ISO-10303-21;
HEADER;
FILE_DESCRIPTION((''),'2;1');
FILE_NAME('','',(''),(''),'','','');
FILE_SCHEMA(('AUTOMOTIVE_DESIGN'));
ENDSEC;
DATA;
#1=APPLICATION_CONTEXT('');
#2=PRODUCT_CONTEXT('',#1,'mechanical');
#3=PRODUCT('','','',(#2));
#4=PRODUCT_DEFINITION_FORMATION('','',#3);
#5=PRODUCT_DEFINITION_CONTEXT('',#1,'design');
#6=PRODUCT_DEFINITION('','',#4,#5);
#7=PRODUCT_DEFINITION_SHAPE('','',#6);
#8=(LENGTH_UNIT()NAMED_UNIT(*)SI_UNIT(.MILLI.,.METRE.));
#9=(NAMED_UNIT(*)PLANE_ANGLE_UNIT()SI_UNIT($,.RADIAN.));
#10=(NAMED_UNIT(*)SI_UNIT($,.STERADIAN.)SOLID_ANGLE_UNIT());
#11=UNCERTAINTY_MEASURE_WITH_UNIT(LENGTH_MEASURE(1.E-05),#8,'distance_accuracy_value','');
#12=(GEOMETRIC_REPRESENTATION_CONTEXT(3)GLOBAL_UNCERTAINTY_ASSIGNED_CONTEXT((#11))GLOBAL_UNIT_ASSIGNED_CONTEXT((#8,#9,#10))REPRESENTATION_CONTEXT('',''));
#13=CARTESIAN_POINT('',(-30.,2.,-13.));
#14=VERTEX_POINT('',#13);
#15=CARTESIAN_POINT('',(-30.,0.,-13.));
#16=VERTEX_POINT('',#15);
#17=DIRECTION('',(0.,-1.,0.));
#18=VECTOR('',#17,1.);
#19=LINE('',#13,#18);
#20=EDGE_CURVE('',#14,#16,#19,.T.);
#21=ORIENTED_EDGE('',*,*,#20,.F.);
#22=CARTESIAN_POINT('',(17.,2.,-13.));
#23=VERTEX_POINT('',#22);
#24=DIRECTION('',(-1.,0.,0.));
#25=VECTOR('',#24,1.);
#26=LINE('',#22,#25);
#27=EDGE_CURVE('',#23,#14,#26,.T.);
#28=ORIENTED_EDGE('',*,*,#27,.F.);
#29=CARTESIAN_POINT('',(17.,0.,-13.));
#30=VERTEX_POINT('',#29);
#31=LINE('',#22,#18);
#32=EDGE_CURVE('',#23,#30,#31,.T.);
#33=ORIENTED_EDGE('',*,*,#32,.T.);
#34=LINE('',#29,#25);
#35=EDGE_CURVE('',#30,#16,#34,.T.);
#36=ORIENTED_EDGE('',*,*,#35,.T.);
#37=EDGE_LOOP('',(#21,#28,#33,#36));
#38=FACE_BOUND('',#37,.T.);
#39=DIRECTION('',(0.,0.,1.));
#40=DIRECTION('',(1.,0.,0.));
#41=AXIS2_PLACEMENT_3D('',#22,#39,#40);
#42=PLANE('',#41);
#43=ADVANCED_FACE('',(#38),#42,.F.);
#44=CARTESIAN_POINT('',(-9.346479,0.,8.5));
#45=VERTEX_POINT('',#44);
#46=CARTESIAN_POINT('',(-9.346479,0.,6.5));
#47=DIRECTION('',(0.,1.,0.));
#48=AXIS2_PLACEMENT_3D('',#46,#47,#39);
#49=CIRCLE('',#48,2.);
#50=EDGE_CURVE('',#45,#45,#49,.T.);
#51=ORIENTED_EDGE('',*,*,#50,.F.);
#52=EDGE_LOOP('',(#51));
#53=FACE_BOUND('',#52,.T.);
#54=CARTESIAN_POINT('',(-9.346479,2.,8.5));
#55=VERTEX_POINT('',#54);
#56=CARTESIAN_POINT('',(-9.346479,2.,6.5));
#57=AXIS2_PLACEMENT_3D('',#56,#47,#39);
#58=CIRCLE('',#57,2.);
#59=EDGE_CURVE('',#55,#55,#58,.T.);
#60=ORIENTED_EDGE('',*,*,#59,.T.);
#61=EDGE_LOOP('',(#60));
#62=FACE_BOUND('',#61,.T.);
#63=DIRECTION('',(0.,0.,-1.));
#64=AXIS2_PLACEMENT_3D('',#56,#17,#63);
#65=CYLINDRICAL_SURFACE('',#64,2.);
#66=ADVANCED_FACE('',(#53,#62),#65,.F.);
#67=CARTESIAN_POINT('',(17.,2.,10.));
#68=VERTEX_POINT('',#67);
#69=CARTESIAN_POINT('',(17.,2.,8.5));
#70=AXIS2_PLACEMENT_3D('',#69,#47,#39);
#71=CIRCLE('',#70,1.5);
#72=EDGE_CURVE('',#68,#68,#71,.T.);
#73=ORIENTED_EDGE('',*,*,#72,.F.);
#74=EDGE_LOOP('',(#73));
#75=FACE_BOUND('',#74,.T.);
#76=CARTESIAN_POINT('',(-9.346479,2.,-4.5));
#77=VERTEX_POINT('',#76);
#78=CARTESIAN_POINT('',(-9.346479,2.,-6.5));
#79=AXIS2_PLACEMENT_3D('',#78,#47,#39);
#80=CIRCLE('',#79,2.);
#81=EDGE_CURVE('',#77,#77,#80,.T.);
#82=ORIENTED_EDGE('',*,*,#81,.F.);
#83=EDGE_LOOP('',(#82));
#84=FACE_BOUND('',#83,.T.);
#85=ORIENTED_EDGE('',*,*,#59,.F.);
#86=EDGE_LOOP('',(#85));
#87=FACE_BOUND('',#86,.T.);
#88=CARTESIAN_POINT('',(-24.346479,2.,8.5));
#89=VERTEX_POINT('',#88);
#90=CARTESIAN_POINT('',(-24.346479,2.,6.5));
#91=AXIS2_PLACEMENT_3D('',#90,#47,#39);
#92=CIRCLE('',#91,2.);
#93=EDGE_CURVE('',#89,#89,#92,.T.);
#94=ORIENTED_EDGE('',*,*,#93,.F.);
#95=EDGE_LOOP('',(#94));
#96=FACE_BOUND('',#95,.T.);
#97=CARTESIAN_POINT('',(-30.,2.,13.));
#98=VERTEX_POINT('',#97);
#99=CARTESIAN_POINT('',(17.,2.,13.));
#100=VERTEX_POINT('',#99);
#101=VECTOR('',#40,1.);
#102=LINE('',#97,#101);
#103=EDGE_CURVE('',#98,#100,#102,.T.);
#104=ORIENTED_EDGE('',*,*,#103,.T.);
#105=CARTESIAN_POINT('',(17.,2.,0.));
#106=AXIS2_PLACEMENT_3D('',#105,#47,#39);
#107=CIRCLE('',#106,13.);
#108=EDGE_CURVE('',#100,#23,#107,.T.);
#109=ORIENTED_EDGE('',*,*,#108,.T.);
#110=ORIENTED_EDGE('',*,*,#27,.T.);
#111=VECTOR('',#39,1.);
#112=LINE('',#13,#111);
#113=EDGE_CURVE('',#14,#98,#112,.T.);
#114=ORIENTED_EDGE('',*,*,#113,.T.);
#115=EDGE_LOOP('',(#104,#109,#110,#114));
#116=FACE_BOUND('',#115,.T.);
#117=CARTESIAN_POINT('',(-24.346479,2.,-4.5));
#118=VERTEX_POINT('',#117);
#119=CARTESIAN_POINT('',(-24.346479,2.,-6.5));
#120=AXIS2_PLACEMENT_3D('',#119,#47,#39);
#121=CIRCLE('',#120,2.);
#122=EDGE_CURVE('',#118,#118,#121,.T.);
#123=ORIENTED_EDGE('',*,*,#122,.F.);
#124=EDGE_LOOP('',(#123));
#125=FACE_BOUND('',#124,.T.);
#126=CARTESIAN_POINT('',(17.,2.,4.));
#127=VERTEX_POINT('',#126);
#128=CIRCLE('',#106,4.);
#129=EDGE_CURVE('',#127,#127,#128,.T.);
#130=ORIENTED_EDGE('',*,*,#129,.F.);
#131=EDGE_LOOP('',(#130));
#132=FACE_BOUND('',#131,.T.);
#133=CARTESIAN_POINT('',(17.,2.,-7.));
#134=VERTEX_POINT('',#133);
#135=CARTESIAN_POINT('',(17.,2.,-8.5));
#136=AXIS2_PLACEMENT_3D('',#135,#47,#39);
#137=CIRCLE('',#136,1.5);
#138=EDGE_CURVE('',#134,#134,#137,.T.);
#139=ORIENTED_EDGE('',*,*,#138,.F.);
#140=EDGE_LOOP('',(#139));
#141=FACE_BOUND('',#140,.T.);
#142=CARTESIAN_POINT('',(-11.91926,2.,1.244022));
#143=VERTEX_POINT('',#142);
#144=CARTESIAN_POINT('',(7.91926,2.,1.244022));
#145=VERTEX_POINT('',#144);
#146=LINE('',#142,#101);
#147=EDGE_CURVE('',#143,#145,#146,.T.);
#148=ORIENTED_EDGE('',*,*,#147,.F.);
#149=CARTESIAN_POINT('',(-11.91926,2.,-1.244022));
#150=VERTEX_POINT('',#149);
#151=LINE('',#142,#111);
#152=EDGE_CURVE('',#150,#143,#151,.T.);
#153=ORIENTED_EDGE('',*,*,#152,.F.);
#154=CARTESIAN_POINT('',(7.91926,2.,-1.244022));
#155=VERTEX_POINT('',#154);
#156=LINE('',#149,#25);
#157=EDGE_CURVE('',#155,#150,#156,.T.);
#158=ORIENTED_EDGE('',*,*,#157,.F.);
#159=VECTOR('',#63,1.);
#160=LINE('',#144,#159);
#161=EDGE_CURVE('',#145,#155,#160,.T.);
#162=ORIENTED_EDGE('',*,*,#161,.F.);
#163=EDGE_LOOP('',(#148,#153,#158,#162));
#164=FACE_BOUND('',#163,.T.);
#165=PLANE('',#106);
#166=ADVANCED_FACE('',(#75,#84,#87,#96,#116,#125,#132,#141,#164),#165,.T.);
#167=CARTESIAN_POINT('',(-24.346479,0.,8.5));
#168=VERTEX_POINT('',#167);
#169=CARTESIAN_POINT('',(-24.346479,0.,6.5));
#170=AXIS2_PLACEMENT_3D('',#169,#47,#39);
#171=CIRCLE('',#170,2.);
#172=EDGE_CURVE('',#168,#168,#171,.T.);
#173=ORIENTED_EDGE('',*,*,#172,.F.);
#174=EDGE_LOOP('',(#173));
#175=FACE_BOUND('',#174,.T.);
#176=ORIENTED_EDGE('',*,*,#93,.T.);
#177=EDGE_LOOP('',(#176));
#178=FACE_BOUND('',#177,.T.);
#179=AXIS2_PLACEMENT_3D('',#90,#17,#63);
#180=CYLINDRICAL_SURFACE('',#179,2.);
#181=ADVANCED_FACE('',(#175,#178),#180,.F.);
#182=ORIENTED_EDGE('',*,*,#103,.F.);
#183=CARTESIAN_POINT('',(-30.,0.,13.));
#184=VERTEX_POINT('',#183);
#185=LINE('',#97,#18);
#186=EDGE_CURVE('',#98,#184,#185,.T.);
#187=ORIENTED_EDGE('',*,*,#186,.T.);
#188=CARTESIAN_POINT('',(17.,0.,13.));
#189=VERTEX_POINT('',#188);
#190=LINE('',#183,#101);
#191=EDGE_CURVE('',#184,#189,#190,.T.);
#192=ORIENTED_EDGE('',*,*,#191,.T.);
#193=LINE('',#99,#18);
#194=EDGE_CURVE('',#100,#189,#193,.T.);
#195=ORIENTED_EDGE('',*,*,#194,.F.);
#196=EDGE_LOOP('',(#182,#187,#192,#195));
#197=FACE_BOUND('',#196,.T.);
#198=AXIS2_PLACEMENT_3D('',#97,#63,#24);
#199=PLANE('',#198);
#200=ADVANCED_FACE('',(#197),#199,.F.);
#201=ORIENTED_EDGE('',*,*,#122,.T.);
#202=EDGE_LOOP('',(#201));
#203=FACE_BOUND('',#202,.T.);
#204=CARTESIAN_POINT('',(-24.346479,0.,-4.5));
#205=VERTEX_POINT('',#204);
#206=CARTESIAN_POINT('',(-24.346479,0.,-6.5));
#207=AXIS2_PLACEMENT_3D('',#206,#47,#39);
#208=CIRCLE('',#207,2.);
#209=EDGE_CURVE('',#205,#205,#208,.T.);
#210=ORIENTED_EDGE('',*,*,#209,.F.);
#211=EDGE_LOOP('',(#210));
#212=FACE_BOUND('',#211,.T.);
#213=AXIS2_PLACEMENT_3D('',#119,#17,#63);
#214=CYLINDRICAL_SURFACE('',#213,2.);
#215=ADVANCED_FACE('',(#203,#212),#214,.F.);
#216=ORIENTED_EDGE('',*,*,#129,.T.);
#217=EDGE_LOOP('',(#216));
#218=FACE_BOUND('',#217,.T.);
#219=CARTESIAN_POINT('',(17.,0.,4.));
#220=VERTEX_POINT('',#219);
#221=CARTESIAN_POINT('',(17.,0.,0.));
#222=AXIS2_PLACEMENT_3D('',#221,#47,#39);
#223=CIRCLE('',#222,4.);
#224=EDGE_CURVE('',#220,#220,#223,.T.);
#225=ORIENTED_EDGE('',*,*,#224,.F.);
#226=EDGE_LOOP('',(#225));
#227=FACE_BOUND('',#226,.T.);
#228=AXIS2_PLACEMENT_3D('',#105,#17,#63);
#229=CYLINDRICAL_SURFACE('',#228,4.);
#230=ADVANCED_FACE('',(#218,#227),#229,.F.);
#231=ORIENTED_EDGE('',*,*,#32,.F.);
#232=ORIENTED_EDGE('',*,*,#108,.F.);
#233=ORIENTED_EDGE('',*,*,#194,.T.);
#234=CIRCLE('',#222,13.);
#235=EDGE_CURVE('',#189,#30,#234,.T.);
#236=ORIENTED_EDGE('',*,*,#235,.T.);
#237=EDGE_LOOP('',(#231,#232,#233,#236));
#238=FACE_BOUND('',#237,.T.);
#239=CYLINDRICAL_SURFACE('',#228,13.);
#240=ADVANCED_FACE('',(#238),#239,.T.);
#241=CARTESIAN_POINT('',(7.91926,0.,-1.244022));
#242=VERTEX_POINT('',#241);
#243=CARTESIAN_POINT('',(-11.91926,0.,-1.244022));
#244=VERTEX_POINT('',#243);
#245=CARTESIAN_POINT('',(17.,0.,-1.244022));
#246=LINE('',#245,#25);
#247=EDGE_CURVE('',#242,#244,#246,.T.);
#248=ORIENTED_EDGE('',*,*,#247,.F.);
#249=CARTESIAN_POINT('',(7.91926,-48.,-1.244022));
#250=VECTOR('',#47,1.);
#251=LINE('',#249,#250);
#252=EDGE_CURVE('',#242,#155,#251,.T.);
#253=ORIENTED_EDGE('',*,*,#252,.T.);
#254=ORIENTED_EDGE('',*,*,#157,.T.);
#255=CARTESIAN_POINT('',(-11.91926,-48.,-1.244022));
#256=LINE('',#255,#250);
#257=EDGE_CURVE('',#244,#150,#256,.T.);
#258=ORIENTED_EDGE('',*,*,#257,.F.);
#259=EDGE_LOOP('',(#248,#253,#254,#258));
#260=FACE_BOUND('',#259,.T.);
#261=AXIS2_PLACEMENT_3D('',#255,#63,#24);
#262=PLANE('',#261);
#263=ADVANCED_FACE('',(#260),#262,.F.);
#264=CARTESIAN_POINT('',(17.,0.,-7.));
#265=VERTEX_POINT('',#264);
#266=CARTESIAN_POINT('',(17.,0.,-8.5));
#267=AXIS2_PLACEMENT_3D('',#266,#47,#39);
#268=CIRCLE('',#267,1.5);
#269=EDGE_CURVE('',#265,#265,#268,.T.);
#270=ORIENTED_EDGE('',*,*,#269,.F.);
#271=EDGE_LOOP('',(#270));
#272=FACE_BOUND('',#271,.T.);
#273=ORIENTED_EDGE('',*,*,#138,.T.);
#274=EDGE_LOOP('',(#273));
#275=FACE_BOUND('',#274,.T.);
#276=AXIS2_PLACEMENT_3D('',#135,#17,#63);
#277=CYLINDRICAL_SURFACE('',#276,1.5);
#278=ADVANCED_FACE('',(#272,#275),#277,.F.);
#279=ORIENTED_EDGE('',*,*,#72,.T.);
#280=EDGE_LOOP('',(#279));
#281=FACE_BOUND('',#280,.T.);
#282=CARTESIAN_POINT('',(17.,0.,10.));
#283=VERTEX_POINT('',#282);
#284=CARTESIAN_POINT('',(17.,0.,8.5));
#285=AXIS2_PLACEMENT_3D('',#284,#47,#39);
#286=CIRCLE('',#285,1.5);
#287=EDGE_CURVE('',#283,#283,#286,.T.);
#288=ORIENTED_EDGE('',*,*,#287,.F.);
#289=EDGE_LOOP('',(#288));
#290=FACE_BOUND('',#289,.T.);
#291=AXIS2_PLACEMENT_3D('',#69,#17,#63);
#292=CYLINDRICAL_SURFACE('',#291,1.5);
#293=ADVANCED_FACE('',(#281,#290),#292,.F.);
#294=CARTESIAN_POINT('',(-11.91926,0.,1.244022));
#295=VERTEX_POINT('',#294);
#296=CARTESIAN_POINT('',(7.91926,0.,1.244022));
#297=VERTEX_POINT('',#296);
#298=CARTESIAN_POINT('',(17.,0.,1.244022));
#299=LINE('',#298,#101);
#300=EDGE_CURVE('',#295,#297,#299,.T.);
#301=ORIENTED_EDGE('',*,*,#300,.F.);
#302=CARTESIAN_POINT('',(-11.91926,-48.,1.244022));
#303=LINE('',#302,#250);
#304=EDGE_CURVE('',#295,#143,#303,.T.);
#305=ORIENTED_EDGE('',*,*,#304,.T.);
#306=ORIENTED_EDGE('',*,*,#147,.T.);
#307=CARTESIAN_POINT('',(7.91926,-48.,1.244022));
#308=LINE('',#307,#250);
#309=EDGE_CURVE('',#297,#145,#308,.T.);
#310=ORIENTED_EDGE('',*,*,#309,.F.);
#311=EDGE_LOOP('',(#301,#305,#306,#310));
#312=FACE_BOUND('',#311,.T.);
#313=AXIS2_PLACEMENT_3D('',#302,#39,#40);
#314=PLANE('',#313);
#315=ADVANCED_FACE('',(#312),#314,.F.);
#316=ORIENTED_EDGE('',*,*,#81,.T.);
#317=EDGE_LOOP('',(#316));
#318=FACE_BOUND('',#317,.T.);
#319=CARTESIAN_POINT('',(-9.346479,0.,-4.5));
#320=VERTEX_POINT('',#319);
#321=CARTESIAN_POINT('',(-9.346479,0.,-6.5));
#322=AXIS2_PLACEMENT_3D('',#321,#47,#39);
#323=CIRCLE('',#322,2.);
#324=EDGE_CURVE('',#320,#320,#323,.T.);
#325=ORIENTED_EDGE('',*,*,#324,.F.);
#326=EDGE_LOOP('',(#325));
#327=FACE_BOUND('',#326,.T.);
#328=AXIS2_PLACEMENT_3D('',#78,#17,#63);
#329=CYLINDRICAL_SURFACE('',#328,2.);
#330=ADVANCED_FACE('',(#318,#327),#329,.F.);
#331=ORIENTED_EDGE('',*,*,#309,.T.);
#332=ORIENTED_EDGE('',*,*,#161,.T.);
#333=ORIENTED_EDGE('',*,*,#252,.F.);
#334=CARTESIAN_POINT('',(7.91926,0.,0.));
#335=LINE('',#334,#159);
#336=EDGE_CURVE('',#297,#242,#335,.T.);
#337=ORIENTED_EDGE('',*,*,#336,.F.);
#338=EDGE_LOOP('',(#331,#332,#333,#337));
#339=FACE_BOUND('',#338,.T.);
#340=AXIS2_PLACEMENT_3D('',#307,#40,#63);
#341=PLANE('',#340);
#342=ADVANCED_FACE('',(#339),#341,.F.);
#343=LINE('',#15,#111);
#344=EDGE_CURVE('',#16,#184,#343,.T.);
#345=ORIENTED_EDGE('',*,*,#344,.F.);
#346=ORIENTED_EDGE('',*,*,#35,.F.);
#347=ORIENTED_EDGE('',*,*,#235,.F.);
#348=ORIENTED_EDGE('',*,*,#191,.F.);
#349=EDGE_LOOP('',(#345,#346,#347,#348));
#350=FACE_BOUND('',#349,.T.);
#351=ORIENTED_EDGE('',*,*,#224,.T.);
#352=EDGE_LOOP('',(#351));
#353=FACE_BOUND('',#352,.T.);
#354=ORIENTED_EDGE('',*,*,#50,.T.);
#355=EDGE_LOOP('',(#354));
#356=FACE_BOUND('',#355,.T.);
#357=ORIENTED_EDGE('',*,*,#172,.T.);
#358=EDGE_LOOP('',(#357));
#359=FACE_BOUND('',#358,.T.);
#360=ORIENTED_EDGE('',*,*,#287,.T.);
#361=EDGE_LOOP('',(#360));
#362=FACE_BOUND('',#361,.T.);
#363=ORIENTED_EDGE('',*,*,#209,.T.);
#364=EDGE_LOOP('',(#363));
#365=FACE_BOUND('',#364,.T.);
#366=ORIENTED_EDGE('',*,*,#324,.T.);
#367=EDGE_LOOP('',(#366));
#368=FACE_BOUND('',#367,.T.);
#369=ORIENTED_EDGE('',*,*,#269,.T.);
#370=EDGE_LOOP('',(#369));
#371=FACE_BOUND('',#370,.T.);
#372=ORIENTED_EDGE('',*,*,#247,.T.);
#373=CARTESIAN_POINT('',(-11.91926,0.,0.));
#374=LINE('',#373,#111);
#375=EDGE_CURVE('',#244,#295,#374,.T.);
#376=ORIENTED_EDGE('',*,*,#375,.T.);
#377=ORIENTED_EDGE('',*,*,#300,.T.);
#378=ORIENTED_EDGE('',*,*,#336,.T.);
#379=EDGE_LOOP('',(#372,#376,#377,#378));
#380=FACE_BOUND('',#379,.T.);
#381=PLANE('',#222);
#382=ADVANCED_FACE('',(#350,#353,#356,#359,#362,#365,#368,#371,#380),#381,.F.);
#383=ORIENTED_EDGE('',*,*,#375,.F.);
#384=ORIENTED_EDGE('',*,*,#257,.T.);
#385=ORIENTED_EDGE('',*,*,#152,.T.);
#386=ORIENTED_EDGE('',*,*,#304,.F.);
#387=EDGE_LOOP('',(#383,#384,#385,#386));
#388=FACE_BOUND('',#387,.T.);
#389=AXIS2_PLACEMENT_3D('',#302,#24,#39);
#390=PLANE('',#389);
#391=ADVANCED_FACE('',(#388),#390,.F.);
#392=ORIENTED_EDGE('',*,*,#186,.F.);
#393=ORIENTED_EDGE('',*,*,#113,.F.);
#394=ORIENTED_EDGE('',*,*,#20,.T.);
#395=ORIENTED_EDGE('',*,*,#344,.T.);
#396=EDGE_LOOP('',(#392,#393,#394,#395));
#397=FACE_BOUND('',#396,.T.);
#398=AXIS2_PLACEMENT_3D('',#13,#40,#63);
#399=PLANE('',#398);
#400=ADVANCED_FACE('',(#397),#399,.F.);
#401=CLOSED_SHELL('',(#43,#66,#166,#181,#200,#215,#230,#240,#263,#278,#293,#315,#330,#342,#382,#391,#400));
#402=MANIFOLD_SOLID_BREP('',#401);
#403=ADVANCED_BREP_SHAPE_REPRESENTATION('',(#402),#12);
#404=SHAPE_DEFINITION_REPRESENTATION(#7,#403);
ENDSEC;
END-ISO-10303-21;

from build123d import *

# Parameters (mm, degrees)
SKETCH3_R           = 2
SKETCH3_R_2         = 1.5
SKETCH3_R_3         = 4
BOSS_EXTRUDE1_DEPTH = 2
SKETCH6_W           = 19.838520206
SKETCH6_H           = 2.488043404
CUT_EXTRUDE1_DEPTH  = 50


with BuildPart() as part:
    # Sketch3 → Boss-Extrude1 (new body)
    with BuildSketch(Plane(origin=(0, 0, 0), x_dir=(1, 0, 0), z_dir=(0, 1, 0))):
        with BuildLine():
            Line((17, 13), (-30, 13))
            Line((-30, 13), (-30, -13))
            Line((-30, -13), (17, -13))
            ThreePointArc((17, -13), (30, 0), (17, 13))
        make_face()
        with Locations(Location((-24.346479472, -6.5, 0), (0, 0, 270))):
            Circle(SKETCH3_R, mode=Mode.SUBTRACT)
        with Locations(Location((-9.346479472, -6.5, 0), (0, 0, 270))):
            Circle(SKETCH3_R, mode=Mode.SUBTRACT)
        with Locations(Location((-9.346479472, 6.5, 0), (0, 0, 270))):
            Circle(SKETCH3_R, mode=Mode.SUBTRACT)
        with Locations(Location((-24.346479472, 6.5, 0), (0, 0, 270))):
            Circle(SKETCH3_R, mode=Mode.SUBTRACT)
        with Locations(Location((17, -8.5, 0), (0, 0, 270))):
            Circle(SKETCH3_R_2, mode=Mode.SUBTRACT)
        with Locations(Location((17, 8.5, 0), (0, 0, 270))):
            Circle(SKETCH3_R_2, mode=Mode.SUBTRACT)
        with Locations(Location((17, 0, 0), (0, 0, 270))):
            Circle(SKETCH3_R_3, mode=Mode.SUBTRACT)
    extrude(amount=BOSS_EXTRUDE1_DEPTH)

    # Sketch6 → Cut-Extrude1 (cut)
    with BuildSketch(Plane(origin=(0, 2, 0), x_dir=(1, 0, 0), z_dir=(0, 1, 0))):
        with Locations((-2, 0)):
            Rectangle(SKETCH6_W, SKETCH6_H)
    extrude(amount=-CUT_EXTRUDE1_DEPTH, mode=Mode.SUBTRACT)


solid = part.part
